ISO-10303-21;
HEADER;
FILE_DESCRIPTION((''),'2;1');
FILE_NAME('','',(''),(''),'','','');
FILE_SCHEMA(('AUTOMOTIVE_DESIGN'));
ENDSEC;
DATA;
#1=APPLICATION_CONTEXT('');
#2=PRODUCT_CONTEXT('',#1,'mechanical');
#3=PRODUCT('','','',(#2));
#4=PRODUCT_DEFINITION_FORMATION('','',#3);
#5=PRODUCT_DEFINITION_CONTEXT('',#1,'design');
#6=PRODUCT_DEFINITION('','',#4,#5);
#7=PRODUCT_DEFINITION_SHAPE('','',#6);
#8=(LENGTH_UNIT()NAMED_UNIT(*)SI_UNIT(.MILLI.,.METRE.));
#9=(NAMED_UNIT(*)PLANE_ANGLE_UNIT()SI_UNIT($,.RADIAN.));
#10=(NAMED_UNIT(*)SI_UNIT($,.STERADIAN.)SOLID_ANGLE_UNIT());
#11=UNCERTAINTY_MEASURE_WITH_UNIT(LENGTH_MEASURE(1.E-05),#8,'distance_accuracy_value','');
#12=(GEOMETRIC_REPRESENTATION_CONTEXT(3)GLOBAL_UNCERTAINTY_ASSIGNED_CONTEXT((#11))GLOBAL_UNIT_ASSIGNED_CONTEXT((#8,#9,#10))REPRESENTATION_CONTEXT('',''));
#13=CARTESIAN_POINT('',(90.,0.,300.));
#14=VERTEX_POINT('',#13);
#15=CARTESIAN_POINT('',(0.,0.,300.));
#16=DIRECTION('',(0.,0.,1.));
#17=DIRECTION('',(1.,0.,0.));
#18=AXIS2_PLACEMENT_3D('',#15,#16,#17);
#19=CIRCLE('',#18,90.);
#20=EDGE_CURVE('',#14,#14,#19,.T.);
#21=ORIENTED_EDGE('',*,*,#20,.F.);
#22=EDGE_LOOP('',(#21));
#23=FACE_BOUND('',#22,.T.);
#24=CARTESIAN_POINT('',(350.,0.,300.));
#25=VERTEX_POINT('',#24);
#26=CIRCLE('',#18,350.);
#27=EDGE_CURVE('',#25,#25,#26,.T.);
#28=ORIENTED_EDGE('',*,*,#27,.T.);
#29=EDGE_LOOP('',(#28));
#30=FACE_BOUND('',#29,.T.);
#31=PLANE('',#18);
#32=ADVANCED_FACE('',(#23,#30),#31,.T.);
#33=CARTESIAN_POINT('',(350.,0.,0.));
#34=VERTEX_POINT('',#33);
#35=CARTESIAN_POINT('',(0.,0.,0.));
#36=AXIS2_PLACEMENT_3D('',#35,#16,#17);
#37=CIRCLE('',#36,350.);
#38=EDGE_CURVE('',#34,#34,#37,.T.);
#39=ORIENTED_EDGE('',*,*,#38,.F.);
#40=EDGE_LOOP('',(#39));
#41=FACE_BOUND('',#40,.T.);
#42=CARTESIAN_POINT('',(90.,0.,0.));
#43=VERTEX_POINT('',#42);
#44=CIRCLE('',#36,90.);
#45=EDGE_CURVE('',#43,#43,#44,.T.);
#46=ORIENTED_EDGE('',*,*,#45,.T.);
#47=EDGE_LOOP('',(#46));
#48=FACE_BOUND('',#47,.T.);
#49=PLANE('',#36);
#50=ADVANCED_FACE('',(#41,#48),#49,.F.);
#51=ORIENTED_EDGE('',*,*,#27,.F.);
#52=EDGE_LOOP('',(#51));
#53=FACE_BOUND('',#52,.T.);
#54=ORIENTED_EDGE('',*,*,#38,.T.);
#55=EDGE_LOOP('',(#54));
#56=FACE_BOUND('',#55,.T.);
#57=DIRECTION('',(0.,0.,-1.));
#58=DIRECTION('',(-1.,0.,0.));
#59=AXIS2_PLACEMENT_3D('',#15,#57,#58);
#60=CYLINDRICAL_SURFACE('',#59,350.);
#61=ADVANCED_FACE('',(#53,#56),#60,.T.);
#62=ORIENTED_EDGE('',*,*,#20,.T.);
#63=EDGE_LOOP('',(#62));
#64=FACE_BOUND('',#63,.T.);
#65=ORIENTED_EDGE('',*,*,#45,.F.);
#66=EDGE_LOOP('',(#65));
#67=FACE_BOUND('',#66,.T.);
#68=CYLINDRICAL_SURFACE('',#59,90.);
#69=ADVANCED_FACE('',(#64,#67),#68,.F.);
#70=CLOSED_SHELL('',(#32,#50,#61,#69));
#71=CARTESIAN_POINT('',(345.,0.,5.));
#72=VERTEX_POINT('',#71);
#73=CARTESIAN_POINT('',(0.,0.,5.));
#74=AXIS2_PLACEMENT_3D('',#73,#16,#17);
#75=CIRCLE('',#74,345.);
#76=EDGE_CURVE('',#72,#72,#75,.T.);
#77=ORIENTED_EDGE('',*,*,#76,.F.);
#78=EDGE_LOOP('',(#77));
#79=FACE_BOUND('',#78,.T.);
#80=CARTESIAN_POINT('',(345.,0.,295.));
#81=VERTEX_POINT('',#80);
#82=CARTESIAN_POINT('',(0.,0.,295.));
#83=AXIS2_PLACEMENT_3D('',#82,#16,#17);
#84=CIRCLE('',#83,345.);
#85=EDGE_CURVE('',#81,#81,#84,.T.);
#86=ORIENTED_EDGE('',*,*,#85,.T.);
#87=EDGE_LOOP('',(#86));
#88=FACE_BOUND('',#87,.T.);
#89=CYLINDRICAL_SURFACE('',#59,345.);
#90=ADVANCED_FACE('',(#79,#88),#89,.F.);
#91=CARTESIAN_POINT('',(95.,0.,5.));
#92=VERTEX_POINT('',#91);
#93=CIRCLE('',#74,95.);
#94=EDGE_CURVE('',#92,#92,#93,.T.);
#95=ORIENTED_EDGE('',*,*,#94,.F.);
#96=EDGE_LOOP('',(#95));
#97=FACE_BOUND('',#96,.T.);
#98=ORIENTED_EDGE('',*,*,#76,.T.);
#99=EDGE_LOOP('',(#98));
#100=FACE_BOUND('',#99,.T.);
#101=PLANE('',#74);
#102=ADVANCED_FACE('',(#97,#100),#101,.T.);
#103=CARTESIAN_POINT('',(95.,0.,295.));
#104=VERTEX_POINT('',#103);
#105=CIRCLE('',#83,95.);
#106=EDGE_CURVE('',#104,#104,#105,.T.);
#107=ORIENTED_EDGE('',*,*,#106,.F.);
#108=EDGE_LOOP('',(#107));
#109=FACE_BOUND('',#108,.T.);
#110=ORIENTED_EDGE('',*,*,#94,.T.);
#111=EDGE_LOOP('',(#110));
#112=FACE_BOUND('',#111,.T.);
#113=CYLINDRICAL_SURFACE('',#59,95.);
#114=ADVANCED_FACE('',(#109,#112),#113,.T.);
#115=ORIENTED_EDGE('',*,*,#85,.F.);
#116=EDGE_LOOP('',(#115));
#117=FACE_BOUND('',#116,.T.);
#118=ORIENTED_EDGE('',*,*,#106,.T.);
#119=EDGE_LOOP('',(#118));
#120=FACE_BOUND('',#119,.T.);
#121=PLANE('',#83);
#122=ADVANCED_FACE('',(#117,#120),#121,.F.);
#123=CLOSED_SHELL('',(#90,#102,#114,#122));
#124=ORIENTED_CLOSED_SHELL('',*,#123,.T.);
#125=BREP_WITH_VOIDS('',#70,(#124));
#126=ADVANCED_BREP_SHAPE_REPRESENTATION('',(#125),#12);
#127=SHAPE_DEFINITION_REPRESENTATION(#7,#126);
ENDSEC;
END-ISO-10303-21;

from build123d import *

# Parameters (mm, degrees)
SKETCH1_R           = 350
SKETCH1_R_2         = 90
BOSS_EXTRUDE1_DEPTH = 300
SHELL1_T            = 5


with BuildPart() as part:
    # Sketch1 → Boss-Extrude1 (new body)
    with BuildSketch(Plane.XY):
        Circle(SKETCH1_R)
        Circle(SKETCH1_R_2, mode=Mode.SUBTRACT)
    extrude(amount=BOSS_EXTRUDE1_DEPTH)

    # Shell1 (no face opened: a closed hollow body)
    add(offset(amount=-SHELL1_T, mode=Mode.PRIVATE), mode=Mode.SUBTRACT)


solid = part.part
